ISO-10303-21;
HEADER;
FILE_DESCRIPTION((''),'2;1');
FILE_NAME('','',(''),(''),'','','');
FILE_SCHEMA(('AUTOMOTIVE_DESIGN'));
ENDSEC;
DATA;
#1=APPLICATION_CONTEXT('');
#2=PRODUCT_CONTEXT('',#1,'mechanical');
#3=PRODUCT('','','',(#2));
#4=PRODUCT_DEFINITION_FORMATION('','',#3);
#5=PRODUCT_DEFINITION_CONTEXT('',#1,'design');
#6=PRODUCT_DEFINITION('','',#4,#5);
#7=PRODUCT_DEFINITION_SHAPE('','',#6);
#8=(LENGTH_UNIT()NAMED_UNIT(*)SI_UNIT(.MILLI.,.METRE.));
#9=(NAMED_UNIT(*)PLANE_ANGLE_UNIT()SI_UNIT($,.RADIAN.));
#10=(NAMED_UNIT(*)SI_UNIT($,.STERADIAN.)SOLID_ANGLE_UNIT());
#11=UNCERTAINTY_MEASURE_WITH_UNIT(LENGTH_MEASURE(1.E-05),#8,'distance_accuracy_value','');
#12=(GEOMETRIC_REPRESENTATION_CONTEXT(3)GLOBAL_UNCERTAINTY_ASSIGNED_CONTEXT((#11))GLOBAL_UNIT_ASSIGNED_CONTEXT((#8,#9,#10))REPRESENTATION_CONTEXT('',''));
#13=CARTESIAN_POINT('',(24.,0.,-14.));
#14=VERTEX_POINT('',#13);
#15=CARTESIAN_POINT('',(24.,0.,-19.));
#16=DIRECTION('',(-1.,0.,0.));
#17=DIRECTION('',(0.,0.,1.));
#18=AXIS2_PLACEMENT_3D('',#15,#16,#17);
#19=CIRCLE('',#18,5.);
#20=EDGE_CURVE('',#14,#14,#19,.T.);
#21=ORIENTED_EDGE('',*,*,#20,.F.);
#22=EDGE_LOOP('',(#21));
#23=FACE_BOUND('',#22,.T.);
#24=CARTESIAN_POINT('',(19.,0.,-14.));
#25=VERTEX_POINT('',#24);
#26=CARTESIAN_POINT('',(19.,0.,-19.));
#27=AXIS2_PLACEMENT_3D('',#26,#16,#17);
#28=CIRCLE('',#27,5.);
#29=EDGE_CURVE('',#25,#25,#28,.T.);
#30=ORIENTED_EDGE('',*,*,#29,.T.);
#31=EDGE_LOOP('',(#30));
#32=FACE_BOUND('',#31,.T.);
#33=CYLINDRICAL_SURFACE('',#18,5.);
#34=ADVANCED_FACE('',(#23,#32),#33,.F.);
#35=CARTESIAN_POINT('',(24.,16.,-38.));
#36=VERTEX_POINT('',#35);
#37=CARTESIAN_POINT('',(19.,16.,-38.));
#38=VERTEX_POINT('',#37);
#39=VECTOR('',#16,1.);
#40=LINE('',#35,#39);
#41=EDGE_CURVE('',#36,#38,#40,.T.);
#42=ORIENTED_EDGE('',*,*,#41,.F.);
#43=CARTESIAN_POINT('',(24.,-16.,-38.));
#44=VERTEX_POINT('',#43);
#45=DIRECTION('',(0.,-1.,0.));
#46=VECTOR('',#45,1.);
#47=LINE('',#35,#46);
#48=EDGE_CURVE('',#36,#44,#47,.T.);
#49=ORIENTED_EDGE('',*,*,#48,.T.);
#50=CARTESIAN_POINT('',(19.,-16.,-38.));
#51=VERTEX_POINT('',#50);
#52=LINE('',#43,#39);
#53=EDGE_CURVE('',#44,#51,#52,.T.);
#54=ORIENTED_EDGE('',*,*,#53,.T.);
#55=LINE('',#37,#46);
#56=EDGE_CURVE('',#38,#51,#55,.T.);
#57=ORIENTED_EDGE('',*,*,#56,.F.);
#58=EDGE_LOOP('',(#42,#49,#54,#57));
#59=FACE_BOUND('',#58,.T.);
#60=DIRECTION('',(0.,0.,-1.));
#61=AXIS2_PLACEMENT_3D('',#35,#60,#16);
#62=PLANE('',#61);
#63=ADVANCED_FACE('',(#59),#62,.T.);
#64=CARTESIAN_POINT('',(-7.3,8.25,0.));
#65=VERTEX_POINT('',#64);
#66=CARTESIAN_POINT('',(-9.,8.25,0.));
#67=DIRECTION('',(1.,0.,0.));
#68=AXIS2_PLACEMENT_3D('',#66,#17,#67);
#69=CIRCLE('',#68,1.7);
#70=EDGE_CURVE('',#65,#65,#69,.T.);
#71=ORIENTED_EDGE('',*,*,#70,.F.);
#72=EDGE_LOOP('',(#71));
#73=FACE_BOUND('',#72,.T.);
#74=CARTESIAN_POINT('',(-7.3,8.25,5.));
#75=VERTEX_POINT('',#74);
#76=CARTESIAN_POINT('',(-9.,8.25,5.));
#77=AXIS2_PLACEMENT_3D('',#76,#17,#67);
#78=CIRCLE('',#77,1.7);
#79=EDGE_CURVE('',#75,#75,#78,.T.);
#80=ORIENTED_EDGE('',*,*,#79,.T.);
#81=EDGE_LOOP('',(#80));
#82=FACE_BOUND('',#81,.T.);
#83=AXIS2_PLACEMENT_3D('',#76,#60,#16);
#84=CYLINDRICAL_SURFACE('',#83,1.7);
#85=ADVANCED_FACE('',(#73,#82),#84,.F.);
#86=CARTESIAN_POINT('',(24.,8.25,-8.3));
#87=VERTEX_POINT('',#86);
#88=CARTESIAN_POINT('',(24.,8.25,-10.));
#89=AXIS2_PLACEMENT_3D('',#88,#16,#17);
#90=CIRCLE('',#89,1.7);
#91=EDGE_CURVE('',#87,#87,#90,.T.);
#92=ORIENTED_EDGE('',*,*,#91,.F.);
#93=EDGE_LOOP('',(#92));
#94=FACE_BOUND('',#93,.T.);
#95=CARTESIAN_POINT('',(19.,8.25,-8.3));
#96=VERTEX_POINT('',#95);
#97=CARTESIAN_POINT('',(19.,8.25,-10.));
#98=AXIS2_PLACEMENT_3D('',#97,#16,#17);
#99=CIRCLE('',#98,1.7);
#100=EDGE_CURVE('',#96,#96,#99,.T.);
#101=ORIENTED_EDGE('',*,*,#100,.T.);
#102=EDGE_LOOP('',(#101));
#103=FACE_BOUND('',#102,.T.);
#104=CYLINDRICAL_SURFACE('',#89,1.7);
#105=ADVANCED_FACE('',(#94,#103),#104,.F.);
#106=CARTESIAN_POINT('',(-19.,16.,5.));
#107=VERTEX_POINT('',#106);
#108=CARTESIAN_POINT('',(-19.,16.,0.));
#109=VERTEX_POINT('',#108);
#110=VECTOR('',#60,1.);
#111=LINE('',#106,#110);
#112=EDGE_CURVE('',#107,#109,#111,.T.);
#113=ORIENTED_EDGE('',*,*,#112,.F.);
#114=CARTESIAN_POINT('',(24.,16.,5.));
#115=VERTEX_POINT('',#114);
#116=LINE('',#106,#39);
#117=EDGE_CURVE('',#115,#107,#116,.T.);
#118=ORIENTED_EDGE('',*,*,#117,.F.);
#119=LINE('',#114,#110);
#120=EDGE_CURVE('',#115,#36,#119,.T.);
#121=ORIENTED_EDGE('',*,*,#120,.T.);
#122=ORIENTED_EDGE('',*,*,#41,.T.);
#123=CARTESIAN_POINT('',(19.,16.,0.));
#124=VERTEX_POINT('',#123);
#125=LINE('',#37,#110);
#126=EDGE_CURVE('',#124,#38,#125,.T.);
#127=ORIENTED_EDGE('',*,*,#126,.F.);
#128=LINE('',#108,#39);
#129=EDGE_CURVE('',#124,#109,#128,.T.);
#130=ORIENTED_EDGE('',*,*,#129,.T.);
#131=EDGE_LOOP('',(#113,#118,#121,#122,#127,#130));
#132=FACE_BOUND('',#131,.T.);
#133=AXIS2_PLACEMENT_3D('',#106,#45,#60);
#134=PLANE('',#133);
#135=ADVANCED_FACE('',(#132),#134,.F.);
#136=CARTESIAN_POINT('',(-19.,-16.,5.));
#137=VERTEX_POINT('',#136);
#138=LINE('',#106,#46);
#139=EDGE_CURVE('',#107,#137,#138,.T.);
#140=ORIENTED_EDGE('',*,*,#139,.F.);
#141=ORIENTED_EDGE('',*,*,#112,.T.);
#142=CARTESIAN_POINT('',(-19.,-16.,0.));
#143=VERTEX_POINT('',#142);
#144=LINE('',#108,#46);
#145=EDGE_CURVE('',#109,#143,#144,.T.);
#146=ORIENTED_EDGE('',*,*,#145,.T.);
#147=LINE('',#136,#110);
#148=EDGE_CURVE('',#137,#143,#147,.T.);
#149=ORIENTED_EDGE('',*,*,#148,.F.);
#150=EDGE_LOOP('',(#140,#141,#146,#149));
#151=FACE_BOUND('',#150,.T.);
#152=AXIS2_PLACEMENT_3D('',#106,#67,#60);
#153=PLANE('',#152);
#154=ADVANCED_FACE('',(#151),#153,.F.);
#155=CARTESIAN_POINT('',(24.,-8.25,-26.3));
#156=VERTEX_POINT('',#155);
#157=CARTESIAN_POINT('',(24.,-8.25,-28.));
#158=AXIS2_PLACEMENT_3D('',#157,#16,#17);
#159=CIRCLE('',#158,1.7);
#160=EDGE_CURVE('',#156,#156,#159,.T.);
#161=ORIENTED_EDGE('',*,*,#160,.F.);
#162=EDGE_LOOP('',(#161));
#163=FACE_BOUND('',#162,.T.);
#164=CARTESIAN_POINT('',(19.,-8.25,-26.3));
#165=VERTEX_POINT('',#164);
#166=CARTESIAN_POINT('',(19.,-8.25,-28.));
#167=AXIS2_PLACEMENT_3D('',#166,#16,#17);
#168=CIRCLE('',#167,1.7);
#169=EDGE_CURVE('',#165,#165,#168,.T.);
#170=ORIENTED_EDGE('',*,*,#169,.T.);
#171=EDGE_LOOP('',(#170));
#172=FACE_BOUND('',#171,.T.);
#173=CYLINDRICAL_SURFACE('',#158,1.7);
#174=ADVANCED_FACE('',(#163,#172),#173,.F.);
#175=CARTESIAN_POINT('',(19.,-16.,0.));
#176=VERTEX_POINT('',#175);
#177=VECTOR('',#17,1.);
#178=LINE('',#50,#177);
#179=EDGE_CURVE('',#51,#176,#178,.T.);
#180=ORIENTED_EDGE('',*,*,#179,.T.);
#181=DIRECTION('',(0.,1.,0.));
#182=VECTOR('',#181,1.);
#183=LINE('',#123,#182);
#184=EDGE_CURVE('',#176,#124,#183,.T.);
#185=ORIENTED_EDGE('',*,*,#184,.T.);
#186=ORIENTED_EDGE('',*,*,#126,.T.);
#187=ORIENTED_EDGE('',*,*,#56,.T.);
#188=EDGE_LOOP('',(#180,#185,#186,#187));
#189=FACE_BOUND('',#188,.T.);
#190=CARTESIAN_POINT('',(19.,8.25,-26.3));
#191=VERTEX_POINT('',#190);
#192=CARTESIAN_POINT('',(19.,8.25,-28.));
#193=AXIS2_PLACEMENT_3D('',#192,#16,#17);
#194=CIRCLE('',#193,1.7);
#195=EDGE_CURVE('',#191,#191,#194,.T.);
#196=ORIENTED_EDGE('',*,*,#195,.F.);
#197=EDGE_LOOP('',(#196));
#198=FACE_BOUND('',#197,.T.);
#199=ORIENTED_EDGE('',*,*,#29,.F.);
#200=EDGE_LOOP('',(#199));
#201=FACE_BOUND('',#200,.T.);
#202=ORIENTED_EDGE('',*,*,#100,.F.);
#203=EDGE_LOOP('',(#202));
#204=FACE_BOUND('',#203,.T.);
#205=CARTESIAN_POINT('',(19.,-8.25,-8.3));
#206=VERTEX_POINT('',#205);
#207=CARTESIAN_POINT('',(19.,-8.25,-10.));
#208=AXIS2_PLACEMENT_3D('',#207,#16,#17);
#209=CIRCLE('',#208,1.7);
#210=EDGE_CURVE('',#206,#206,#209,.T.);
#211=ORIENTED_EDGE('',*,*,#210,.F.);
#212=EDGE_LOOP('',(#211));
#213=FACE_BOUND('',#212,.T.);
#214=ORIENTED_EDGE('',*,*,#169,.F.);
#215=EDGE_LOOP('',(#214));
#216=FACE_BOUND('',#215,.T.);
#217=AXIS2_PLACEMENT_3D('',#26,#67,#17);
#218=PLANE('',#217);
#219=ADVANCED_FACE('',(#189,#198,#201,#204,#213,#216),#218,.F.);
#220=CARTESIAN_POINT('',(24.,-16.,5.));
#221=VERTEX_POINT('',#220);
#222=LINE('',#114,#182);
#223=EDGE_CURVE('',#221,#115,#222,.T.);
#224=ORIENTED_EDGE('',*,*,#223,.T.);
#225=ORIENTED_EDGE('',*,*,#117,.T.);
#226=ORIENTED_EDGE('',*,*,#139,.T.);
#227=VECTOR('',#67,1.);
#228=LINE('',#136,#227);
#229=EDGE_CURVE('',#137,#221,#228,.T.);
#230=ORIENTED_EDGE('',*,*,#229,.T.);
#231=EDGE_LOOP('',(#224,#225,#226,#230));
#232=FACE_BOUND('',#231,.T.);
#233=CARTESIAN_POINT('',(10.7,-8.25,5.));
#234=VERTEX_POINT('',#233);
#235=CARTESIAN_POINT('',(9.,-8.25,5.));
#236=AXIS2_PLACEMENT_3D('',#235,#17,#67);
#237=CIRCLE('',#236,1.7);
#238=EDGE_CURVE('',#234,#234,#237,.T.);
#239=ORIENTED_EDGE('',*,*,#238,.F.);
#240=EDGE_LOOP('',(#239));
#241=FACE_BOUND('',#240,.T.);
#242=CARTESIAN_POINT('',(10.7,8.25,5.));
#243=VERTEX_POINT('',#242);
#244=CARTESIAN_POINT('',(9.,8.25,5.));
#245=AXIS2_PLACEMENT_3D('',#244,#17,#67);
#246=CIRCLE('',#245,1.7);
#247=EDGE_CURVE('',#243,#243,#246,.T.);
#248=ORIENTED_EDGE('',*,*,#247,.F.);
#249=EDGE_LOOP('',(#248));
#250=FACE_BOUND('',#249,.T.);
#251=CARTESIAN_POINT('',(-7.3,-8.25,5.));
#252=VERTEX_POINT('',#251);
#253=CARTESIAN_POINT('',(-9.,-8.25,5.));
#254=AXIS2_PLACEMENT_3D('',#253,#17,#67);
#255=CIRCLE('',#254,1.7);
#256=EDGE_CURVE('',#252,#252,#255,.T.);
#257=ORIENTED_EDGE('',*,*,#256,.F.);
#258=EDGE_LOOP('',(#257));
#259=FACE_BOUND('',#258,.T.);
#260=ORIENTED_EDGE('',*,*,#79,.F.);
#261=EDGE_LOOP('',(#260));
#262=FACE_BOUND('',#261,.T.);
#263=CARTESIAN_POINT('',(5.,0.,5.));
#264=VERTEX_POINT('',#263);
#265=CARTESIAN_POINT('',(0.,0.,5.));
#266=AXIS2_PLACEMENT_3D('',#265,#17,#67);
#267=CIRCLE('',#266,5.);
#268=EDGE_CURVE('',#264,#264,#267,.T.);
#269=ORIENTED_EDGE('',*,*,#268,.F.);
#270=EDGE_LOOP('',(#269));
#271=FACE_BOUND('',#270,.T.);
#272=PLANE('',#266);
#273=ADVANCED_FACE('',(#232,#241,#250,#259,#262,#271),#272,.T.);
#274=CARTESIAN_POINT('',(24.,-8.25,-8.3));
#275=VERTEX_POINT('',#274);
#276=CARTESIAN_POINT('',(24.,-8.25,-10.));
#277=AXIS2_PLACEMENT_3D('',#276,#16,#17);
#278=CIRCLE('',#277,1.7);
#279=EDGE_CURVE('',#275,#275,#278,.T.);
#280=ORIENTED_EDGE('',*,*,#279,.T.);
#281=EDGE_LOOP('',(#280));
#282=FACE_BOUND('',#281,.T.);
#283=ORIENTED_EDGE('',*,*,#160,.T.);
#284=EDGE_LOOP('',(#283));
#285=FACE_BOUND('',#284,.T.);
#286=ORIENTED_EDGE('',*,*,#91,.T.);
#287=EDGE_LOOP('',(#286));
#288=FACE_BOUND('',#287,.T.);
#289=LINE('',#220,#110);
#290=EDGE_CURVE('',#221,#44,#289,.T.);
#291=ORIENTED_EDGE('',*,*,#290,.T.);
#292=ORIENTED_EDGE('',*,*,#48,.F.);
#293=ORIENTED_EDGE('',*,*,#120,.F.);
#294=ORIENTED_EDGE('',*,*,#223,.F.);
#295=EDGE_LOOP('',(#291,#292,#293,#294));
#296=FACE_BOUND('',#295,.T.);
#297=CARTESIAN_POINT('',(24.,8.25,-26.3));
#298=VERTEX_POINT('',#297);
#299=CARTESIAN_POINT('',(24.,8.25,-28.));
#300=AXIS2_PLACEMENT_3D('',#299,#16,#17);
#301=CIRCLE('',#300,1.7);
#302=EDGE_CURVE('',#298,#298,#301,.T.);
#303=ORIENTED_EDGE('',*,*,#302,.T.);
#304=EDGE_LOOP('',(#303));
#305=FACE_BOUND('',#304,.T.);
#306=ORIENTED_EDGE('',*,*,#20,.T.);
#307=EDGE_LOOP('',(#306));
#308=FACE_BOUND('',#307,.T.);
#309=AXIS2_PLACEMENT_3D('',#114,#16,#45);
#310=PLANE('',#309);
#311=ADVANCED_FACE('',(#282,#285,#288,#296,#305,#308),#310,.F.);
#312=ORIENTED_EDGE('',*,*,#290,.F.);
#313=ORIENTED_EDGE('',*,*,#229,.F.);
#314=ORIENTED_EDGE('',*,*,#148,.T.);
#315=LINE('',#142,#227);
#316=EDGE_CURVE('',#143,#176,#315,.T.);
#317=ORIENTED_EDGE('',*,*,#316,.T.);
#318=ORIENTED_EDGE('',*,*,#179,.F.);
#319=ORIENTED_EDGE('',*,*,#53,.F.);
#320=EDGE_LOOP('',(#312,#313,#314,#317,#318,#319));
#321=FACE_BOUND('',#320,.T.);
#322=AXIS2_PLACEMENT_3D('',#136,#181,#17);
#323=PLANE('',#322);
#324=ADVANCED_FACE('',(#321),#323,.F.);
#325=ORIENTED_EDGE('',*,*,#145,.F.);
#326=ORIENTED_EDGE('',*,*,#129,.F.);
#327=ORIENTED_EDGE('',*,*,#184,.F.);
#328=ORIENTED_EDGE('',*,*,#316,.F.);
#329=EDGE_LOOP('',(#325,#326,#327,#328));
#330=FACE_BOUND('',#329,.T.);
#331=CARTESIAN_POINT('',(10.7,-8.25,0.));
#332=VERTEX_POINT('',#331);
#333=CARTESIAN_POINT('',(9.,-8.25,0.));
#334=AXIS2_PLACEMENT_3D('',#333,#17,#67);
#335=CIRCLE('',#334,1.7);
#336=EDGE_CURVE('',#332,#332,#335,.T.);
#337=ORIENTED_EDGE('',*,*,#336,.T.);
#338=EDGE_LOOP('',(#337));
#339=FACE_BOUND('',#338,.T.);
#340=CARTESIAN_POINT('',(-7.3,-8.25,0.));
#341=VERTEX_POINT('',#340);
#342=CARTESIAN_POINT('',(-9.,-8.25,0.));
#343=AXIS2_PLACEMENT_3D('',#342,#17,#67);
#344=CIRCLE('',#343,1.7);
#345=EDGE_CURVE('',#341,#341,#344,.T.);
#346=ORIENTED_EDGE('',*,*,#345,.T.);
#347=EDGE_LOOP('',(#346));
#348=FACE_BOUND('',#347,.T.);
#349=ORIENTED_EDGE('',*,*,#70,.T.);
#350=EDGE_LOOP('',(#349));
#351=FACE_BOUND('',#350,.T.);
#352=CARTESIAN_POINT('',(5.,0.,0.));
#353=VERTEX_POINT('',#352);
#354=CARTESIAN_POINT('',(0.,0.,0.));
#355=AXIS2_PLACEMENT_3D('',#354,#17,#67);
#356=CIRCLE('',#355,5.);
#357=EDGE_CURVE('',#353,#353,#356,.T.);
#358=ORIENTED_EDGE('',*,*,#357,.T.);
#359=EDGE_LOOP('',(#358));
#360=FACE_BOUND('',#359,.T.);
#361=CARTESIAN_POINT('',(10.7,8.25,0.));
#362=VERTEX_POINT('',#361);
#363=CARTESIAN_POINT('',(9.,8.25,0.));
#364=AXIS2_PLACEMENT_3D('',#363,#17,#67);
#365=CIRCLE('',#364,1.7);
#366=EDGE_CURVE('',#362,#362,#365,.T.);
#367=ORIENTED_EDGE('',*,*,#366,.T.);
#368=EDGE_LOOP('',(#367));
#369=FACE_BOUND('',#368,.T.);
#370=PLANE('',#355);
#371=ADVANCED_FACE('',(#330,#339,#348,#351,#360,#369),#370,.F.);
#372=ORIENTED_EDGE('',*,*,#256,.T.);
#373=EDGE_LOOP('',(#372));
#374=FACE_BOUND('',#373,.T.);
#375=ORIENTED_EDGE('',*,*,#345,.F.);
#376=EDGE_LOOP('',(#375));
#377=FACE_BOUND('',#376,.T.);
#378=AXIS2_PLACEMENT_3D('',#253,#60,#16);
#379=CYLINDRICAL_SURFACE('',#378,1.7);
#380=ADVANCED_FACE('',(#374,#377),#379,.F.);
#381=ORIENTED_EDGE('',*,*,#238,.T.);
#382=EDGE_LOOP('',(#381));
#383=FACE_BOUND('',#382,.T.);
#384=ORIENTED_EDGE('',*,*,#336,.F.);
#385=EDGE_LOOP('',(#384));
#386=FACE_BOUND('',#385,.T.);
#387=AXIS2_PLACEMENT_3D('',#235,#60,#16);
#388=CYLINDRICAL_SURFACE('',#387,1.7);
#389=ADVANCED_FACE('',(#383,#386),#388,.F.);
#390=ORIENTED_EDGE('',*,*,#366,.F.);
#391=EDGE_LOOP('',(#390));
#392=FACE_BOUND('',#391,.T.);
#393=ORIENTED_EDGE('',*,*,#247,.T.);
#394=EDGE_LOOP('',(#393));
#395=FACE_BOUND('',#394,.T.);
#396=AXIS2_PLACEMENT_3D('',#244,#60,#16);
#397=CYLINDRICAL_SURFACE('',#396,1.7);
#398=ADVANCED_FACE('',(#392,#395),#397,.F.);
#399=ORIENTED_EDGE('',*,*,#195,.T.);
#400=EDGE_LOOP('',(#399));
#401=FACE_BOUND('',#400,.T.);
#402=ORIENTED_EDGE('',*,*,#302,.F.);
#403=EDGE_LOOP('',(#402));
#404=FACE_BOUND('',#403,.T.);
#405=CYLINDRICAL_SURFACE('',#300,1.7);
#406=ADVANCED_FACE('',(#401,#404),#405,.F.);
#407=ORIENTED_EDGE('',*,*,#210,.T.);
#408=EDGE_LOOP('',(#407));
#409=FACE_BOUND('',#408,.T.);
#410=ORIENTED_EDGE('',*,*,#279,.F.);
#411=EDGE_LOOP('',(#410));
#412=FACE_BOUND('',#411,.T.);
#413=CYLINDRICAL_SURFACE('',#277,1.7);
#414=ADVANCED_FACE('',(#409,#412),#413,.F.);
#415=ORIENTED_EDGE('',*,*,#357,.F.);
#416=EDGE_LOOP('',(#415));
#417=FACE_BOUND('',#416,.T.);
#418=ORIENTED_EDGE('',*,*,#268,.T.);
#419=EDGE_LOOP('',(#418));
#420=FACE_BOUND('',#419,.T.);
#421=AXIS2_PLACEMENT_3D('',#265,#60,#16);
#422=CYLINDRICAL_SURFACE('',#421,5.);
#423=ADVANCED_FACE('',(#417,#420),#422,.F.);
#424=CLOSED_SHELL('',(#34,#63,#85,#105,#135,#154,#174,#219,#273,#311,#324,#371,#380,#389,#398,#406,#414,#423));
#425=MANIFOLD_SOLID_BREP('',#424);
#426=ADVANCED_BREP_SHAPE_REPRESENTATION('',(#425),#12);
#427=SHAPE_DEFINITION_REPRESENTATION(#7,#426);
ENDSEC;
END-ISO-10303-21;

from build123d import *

# Parameters (mm, degrees)
SKETCH1_W           = 38
SKETCH1_H           = 32
SKETCH1_R           = 5
SKETCH1_R_2         = 1.7
BOSS_EXTRUDE1_DEPTH = 5
SKETCH2_W           = 5
SKETCH2_H           = 32
BOSS_EXTRUDE4_DEPTH = 5


with BuildPart() as part:
    # Sketch1 → Boss-Extrude1 (new body)
    with BuildSketch(Plane.XY):
        Rectangle(SKETCH1_W, SKETCH1_H)
        Circle(SKETCH1_R, mode=Mode.SUBTRACT)
        with Locations((-9, 8.25)):
            Circle(SKETCH1_R_2, mode=Mode.SUBTRACT)
        with Locations((9, 8.25)):
            Circle(SKETCH1_R_2, mode=Mode.SUBTRACT)
        with Locations((9, -8.25)):
            Circle(SKETCH1_R_2, mode=Mode.SUBTRACT)
        with Locations((-9, -8.25)):
            Circle(SKETCH1_R_2, mode=Mode.SUBTRACT)
    boss_extrude1 = extrude(amount=BOSS_EXTRUDE1_DEPTH)

    # Sketch2 → Boss-Extrude4 (add)
    with BuildSketch(Plane.XY):
        with Locations((21.5, 0)):
            Rectangle(SKETCH2_W, SKETCH2_H)
    extrude(amount=BOSS_EXTRUDE4_DEPTH)

    # Mirror3: Boss-Extrude1 across plane
    add(boss_extrude1.mirror(Plane(origin=(9.5, 0, -9.5), x_dir=(0.7071067811865478, 0, 0.7071067811865472), z_dir=(0.7071067811865475, 0, -0.7071067811865477))))


solid = part.part
